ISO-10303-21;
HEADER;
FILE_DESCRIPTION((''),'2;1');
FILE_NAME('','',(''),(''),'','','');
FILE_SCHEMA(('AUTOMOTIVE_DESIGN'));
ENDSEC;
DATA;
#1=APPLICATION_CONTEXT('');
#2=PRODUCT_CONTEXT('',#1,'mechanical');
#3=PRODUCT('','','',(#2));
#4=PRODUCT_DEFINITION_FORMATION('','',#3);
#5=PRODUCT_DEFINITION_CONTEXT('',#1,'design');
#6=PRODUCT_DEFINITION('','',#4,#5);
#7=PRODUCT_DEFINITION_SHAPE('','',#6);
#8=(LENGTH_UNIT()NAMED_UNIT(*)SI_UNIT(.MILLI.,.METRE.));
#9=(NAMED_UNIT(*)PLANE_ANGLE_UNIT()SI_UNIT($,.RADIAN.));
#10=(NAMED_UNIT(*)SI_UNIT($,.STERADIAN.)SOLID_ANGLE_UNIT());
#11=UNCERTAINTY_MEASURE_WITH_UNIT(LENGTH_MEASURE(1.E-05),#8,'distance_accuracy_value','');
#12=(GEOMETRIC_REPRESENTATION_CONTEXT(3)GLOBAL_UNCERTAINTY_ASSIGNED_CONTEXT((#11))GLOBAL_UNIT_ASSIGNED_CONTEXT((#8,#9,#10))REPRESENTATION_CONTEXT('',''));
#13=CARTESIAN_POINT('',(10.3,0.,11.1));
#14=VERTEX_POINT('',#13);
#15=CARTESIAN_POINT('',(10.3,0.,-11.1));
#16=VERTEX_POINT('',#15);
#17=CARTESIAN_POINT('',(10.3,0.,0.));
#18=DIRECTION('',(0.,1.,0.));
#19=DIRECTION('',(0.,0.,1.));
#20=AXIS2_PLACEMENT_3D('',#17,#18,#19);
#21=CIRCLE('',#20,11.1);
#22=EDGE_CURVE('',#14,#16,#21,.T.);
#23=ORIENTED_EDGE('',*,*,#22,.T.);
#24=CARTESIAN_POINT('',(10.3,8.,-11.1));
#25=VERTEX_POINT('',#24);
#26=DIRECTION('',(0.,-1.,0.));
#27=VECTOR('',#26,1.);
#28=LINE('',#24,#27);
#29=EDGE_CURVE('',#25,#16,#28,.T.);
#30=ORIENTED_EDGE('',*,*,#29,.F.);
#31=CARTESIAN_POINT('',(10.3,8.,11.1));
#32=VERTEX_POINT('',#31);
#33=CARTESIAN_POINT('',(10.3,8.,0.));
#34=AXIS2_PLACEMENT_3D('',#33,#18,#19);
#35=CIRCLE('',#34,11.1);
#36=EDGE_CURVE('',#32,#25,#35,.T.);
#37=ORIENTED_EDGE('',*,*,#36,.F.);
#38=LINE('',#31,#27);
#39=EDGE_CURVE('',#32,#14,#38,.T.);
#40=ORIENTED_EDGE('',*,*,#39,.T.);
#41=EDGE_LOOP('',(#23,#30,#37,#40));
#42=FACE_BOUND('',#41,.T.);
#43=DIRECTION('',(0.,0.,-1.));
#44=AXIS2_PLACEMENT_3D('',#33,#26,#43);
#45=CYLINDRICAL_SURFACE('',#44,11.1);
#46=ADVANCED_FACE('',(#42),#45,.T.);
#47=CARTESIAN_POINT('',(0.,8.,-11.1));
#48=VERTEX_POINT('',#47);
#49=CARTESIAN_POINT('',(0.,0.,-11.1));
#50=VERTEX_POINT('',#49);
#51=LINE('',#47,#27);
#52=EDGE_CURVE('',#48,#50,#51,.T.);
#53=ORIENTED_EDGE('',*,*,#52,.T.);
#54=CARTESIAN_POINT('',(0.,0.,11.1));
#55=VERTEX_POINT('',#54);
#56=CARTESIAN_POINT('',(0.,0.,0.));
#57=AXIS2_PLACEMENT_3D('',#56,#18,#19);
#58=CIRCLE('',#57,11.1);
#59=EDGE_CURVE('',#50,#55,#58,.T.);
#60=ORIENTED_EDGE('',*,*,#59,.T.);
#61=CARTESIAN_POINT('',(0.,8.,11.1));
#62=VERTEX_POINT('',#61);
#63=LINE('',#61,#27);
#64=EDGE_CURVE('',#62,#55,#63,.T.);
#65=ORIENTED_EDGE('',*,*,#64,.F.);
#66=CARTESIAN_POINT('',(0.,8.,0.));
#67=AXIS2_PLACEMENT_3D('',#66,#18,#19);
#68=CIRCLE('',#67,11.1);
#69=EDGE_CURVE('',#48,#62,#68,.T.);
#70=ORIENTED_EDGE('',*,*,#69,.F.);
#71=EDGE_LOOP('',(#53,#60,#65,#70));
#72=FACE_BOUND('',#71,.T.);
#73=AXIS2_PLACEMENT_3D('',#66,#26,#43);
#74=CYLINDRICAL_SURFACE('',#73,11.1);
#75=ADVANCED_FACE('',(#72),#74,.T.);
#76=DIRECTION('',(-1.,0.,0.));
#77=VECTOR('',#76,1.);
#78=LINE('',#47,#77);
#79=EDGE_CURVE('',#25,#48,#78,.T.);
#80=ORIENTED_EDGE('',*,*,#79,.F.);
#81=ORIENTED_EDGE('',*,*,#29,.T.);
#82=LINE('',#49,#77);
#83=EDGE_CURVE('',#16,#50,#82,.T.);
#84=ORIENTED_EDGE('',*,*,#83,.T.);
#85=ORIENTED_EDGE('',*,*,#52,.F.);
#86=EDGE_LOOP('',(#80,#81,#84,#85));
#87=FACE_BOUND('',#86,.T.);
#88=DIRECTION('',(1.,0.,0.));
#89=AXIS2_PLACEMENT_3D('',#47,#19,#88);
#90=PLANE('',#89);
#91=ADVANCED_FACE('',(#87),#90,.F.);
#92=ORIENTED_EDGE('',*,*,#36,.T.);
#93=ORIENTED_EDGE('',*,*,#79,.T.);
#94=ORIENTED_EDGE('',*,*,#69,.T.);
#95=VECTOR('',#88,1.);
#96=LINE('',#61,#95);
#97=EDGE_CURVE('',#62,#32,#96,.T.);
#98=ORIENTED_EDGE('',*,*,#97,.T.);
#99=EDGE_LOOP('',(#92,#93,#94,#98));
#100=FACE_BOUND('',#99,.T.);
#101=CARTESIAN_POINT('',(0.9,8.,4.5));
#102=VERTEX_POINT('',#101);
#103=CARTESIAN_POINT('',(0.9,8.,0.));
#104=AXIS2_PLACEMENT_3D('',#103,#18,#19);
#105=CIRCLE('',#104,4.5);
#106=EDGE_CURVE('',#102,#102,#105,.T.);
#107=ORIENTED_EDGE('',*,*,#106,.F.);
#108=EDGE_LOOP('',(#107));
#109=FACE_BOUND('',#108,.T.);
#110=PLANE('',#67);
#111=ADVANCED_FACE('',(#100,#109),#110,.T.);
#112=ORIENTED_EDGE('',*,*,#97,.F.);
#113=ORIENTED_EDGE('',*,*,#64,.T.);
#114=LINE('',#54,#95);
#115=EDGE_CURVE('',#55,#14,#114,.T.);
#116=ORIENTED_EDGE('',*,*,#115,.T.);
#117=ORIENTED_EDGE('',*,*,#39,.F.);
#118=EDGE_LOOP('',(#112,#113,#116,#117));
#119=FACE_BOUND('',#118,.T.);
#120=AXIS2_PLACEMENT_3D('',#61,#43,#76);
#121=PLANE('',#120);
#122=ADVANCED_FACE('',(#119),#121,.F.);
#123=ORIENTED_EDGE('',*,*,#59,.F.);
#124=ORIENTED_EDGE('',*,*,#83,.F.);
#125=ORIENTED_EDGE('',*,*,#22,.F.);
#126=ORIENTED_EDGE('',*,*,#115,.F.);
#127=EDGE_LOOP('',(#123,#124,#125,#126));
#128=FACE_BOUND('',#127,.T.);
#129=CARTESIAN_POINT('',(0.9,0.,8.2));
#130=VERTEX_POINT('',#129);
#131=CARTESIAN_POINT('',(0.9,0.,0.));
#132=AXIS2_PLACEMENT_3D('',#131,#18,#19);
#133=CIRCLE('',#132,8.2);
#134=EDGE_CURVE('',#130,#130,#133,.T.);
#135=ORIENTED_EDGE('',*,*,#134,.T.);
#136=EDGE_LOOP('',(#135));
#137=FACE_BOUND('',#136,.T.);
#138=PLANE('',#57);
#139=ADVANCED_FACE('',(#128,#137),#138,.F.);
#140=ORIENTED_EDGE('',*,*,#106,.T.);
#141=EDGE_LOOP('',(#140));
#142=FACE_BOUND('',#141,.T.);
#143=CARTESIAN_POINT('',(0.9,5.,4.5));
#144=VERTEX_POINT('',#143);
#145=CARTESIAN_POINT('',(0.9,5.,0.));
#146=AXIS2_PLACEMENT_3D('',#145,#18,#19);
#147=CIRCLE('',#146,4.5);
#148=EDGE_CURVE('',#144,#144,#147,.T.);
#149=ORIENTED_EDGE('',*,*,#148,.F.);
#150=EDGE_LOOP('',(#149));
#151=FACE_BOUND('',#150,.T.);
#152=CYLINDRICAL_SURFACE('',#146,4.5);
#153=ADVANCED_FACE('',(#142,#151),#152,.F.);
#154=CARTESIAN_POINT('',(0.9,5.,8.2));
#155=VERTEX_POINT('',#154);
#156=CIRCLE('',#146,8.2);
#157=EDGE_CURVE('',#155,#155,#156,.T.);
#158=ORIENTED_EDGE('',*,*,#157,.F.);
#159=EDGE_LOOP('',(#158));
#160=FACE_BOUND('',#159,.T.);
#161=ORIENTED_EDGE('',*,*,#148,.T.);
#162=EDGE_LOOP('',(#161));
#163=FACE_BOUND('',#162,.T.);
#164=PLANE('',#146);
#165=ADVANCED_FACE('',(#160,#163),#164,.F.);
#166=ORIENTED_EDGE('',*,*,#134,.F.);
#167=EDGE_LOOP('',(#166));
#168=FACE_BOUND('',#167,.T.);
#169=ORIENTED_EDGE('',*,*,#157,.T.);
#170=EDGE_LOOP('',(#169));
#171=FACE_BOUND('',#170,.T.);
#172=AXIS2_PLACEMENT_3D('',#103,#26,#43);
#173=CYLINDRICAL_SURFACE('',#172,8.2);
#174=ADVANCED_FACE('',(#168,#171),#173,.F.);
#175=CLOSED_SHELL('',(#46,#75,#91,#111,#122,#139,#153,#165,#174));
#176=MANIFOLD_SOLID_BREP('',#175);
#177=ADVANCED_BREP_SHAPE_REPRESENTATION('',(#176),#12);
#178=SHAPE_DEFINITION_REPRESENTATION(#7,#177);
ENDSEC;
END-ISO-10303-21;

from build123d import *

# Parameters (mm, degrees)
SKETCH1_R           = 8.2
BOSS_EXTRUDE1_DEPTH = 8
BOSS_EXTRUDE2_START = -3
SKETCH2_R           = 8.2
SKETCH2_R_2         = 4.5
BOSS_EXTRUDE2_DEPTH = 3


with BuildPart() as part:
    # Sketch1 → Boss-Extrude1 (new body)
    with BuildSketch(Plane(origin=(0, 0, 0), x_dir=(1, 0, 0), z_dir=(0, 1, 0))):
        with BuildLine():
            Line((0, 11.1), (10.3, 11.1))
            ThreePointArc((10.3, 11.1), (21.4, 0), (10.3, -11.1))
            Line((10.3, -11.1), (0, -11.1))
            ThreePointArc((0, -11.1), (-11.1, 0), (0, 11.1))
        make_face()
        with Locations(Location((0.9, 0, 0), (0, 0, 270))):
            Circle(SKETCH1_R, mode=Mode.SUBTRACT)
    extrude(amount=BOSS_EXTRUDE1_DEPTH)

    # Sketch2 → Boss-Extrude2 (add)
    with BuildSketch(Plane(origin=(0, 8, 0), x_dir=(1, 0, 0), z_dir=(0, 1, 0)).offset(BOSS_EXTRUDE2_START)):
        with Locations(Location((0.9, 0, 0), (0, 0, 270))):
            Circle(SKETCH2_R)
        with Locations(Location((0.9, 0, 0), (0, 0, 270))):
            Circle(SKETCH2_R_2, mode=Mode.SUBTRACT)
    extrude(amount=BOSS_EXTRUDE2_DEPTH)


solid = part.part
